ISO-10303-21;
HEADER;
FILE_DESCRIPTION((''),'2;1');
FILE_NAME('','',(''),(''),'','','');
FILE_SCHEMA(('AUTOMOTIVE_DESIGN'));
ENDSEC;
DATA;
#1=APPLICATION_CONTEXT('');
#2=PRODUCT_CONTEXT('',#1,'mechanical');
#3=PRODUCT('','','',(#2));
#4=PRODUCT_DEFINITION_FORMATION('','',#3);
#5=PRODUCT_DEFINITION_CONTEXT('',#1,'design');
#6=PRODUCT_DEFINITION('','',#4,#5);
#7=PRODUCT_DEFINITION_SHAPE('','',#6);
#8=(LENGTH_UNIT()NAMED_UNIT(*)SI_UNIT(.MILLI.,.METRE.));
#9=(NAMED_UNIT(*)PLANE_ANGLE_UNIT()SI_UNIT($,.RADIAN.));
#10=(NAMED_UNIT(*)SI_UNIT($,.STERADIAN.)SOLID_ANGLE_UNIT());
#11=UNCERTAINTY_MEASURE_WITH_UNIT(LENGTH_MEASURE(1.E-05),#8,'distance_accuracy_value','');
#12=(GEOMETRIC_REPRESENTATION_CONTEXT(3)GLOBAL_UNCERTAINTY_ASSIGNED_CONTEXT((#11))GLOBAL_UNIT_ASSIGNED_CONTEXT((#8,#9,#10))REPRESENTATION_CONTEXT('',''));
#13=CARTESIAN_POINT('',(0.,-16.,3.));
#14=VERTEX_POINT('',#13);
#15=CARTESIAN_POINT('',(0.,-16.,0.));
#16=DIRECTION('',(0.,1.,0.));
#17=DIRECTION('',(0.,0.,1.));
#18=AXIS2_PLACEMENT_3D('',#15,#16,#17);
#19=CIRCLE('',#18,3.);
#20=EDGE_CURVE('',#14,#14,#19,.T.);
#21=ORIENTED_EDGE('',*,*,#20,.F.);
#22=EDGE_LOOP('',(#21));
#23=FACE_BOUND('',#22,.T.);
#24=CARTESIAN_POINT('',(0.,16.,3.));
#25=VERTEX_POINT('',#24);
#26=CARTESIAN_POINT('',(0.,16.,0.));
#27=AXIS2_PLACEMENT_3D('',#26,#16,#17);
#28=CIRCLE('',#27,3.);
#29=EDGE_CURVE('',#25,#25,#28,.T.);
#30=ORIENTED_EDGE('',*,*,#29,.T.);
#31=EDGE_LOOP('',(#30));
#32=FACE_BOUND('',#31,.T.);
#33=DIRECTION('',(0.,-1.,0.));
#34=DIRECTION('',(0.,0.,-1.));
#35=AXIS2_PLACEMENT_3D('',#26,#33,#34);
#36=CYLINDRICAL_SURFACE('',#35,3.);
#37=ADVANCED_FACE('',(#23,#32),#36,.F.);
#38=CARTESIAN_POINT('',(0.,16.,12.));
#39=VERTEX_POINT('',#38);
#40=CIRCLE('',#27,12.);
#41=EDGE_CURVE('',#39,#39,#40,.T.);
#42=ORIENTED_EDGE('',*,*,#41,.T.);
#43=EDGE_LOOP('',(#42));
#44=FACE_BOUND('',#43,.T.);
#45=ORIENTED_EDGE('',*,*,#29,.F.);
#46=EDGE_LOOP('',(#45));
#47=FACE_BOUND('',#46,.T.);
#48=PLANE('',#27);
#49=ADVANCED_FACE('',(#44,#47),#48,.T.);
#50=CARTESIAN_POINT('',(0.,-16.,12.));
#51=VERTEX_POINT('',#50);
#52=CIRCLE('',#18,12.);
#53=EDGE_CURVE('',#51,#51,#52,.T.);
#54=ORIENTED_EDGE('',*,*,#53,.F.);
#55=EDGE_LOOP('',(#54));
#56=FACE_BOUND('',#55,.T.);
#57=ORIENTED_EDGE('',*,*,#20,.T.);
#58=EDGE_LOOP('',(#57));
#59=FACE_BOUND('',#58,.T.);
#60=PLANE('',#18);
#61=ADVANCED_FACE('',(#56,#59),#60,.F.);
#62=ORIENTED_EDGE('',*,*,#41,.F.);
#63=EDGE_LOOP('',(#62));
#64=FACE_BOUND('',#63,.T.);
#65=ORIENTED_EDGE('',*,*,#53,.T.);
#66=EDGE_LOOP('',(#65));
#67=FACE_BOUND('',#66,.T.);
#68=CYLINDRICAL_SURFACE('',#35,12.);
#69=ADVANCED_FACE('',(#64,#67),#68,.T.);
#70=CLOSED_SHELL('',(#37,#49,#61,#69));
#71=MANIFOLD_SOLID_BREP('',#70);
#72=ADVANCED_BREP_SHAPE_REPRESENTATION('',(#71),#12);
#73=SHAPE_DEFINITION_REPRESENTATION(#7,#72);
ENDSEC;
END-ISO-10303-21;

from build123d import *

# Parameters (mm, degrees)
SKETCH1_R           = 12
SKETCH1_R_2         = 3
BOSS_EXTRUDE1_DEPTH = 16


with BuildPart() as part:
    # Sketch1 → Boss-Extrude1 (new body, symmetric)
    with BuildSketch(Plane(origin=(0, 0, 0), x_dir=(1, 0, 0), z_dir=(0, 1, 0))):
        Circle(SKETCH1_R)
        Circle(SKETCH1_R_2, mode=Mode.SUBTRACT)
    extrude(amount=BOSS_EXTRUDE1_DEPTH, both=True)


solid = part.part
